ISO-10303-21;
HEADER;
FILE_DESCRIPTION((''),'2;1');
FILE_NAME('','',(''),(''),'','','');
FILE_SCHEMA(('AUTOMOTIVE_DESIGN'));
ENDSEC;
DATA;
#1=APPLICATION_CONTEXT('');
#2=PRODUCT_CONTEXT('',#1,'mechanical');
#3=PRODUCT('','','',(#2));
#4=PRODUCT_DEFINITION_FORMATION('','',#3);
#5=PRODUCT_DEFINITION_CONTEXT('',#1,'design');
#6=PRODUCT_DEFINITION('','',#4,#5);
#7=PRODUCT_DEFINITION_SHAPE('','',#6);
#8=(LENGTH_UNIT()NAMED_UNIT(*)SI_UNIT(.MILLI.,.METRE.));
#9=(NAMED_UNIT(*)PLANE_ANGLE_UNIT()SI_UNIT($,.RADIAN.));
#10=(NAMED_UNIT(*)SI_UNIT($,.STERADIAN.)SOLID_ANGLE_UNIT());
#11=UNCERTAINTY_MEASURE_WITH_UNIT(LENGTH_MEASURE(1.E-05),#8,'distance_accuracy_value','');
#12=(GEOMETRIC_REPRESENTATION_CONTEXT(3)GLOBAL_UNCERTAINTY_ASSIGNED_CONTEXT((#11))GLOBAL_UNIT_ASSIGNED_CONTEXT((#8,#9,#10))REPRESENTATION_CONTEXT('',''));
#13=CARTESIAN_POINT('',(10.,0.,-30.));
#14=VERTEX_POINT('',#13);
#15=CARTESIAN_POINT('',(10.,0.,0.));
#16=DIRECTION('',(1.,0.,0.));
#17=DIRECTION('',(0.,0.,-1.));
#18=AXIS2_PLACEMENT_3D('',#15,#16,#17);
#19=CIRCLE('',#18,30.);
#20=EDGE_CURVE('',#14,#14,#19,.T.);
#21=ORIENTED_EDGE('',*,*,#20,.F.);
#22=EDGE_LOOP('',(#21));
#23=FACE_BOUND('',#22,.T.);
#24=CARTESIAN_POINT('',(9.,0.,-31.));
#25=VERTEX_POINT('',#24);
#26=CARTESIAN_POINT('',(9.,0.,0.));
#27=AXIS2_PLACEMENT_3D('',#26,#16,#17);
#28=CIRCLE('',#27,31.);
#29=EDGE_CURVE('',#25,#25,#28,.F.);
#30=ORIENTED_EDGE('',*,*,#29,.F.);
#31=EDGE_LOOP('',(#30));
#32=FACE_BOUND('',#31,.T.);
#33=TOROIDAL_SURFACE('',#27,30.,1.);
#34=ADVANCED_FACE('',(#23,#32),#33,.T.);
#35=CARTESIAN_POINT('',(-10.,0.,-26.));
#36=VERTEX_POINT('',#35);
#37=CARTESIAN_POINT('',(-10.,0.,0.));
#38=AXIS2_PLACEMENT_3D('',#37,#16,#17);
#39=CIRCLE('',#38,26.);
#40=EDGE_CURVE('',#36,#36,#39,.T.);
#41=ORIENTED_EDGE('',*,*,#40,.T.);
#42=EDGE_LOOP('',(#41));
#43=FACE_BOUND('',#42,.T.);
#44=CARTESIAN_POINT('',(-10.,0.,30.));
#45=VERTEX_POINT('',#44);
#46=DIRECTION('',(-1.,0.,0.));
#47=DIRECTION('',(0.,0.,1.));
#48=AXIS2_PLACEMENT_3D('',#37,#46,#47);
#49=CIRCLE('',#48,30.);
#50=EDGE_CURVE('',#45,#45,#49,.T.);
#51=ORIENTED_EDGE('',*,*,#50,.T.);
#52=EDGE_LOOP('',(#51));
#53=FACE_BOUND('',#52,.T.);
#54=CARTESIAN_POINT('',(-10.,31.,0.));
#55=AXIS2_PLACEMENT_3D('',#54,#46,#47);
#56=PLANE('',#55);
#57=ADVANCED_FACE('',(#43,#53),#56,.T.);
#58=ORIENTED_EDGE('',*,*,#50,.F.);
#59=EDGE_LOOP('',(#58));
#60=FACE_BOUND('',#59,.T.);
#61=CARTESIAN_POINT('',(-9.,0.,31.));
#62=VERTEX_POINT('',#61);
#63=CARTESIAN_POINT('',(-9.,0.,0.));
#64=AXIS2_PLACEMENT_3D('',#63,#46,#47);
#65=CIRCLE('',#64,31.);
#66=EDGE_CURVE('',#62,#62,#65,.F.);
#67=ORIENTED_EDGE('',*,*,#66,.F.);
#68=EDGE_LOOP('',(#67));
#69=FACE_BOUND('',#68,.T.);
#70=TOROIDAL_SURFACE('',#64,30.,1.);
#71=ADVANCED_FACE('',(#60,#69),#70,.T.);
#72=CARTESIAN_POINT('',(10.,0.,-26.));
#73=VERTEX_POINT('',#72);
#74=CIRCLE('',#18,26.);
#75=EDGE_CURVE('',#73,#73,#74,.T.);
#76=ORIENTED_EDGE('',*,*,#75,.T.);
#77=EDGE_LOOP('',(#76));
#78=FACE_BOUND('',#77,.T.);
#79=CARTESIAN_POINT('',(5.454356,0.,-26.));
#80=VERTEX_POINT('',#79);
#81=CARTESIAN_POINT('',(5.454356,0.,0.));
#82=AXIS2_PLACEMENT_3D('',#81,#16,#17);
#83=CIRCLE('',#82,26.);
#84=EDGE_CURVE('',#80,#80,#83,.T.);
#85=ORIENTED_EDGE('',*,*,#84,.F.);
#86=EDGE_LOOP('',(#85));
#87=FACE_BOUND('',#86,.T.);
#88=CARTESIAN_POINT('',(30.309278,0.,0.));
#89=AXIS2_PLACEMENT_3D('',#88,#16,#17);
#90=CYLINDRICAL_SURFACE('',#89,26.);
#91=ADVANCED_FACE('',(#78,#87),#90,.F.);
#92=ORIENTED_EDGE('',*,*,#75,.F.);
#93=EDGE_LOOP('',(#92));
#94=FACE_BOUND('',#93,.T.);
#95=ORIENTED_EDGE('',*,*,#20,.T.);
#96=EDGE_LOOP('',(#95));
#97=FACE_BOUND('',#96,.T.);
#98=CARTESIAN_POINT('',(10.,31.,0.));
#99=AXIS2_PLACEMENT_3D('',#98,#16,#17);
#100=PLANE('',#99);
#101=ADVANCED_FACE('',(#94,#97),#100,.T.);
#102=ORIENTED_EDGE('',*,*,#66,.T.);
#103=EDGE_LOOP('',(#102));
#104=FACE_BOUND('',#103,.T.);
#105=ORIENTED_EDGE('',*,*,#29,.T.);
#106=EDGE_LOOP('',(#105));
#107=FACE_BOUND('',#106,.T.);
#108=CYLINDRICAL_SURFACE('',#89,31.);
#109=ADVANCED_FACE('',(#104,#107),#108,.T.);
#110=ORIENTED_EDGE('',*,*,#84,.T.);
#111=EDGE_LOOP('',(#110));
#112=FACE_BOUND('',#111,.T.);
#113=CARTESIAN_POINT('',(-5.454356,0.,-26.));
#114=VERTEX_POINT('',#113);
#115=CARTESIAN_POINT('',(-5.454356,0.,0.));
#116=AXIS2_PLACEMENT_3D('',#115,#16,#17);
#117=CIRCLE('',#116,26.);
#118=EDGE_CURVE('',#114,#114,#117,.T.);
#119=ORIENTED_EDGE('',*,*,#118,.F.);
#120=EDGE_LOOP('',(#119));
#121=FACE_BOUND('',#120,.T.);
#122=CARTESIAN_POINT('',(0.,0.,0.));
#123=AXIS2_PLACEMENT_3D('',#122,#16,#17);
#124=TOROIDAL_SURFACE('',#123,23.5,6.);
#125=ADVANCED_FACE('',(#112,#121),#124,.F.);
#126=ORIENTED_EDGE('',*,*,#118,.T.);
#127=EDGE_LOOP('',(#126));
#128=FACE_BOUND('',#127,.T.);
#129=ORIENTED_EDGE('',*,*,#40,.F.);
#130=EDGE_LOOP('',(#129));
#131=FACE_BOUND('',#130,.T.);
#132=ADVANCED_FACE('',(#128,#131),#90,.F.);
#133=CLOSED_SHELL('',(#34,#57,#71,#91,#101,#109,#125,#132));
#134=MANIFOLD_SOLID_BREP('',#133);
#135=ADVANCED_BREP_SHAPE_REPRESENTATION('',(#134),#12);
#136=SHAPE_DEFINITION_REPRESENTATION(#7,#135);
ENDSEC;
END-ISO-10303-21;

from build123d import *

# Parameters (mm, degrees)
FILLET1_R = 1


with BuildPart() as part:
    # Sketch1 → Revolve1 (revolve)
    with BuildSketch(Plane.XY, mode=Mode.PRIVATE) as revolve1_sk:
        with BuildLine():
            Line((10, 31), (-10, 31))
            Line((-10, 31), (-10, 26))
            Line((-10, 26), (-5.454356057, 26))
            ThreePointArc((-5.454356057, 26), (0, 29.5), (5.454356057, 26))
            Line((5.454356057, 26), (10, 26))
            Line((10, 26), (10, 31))
        make_face()
    revolve(revolve1_sk.sketch.rotate(Axis((30.309278351, 0, 0), (-1, 0, 0)), 90), axis=Axis((30.309278351, 0, 0), (-1, 0, 0)))

    # Fillet1
    fillet1_edges = [part.edges().sort_by_distance(p)[0] for p in [
        (10, 0, 31),
        (-10, 0, 31),
    ]]
    fillet(fillet1_edges, radius=FILLET1_R)


solid = part.part
